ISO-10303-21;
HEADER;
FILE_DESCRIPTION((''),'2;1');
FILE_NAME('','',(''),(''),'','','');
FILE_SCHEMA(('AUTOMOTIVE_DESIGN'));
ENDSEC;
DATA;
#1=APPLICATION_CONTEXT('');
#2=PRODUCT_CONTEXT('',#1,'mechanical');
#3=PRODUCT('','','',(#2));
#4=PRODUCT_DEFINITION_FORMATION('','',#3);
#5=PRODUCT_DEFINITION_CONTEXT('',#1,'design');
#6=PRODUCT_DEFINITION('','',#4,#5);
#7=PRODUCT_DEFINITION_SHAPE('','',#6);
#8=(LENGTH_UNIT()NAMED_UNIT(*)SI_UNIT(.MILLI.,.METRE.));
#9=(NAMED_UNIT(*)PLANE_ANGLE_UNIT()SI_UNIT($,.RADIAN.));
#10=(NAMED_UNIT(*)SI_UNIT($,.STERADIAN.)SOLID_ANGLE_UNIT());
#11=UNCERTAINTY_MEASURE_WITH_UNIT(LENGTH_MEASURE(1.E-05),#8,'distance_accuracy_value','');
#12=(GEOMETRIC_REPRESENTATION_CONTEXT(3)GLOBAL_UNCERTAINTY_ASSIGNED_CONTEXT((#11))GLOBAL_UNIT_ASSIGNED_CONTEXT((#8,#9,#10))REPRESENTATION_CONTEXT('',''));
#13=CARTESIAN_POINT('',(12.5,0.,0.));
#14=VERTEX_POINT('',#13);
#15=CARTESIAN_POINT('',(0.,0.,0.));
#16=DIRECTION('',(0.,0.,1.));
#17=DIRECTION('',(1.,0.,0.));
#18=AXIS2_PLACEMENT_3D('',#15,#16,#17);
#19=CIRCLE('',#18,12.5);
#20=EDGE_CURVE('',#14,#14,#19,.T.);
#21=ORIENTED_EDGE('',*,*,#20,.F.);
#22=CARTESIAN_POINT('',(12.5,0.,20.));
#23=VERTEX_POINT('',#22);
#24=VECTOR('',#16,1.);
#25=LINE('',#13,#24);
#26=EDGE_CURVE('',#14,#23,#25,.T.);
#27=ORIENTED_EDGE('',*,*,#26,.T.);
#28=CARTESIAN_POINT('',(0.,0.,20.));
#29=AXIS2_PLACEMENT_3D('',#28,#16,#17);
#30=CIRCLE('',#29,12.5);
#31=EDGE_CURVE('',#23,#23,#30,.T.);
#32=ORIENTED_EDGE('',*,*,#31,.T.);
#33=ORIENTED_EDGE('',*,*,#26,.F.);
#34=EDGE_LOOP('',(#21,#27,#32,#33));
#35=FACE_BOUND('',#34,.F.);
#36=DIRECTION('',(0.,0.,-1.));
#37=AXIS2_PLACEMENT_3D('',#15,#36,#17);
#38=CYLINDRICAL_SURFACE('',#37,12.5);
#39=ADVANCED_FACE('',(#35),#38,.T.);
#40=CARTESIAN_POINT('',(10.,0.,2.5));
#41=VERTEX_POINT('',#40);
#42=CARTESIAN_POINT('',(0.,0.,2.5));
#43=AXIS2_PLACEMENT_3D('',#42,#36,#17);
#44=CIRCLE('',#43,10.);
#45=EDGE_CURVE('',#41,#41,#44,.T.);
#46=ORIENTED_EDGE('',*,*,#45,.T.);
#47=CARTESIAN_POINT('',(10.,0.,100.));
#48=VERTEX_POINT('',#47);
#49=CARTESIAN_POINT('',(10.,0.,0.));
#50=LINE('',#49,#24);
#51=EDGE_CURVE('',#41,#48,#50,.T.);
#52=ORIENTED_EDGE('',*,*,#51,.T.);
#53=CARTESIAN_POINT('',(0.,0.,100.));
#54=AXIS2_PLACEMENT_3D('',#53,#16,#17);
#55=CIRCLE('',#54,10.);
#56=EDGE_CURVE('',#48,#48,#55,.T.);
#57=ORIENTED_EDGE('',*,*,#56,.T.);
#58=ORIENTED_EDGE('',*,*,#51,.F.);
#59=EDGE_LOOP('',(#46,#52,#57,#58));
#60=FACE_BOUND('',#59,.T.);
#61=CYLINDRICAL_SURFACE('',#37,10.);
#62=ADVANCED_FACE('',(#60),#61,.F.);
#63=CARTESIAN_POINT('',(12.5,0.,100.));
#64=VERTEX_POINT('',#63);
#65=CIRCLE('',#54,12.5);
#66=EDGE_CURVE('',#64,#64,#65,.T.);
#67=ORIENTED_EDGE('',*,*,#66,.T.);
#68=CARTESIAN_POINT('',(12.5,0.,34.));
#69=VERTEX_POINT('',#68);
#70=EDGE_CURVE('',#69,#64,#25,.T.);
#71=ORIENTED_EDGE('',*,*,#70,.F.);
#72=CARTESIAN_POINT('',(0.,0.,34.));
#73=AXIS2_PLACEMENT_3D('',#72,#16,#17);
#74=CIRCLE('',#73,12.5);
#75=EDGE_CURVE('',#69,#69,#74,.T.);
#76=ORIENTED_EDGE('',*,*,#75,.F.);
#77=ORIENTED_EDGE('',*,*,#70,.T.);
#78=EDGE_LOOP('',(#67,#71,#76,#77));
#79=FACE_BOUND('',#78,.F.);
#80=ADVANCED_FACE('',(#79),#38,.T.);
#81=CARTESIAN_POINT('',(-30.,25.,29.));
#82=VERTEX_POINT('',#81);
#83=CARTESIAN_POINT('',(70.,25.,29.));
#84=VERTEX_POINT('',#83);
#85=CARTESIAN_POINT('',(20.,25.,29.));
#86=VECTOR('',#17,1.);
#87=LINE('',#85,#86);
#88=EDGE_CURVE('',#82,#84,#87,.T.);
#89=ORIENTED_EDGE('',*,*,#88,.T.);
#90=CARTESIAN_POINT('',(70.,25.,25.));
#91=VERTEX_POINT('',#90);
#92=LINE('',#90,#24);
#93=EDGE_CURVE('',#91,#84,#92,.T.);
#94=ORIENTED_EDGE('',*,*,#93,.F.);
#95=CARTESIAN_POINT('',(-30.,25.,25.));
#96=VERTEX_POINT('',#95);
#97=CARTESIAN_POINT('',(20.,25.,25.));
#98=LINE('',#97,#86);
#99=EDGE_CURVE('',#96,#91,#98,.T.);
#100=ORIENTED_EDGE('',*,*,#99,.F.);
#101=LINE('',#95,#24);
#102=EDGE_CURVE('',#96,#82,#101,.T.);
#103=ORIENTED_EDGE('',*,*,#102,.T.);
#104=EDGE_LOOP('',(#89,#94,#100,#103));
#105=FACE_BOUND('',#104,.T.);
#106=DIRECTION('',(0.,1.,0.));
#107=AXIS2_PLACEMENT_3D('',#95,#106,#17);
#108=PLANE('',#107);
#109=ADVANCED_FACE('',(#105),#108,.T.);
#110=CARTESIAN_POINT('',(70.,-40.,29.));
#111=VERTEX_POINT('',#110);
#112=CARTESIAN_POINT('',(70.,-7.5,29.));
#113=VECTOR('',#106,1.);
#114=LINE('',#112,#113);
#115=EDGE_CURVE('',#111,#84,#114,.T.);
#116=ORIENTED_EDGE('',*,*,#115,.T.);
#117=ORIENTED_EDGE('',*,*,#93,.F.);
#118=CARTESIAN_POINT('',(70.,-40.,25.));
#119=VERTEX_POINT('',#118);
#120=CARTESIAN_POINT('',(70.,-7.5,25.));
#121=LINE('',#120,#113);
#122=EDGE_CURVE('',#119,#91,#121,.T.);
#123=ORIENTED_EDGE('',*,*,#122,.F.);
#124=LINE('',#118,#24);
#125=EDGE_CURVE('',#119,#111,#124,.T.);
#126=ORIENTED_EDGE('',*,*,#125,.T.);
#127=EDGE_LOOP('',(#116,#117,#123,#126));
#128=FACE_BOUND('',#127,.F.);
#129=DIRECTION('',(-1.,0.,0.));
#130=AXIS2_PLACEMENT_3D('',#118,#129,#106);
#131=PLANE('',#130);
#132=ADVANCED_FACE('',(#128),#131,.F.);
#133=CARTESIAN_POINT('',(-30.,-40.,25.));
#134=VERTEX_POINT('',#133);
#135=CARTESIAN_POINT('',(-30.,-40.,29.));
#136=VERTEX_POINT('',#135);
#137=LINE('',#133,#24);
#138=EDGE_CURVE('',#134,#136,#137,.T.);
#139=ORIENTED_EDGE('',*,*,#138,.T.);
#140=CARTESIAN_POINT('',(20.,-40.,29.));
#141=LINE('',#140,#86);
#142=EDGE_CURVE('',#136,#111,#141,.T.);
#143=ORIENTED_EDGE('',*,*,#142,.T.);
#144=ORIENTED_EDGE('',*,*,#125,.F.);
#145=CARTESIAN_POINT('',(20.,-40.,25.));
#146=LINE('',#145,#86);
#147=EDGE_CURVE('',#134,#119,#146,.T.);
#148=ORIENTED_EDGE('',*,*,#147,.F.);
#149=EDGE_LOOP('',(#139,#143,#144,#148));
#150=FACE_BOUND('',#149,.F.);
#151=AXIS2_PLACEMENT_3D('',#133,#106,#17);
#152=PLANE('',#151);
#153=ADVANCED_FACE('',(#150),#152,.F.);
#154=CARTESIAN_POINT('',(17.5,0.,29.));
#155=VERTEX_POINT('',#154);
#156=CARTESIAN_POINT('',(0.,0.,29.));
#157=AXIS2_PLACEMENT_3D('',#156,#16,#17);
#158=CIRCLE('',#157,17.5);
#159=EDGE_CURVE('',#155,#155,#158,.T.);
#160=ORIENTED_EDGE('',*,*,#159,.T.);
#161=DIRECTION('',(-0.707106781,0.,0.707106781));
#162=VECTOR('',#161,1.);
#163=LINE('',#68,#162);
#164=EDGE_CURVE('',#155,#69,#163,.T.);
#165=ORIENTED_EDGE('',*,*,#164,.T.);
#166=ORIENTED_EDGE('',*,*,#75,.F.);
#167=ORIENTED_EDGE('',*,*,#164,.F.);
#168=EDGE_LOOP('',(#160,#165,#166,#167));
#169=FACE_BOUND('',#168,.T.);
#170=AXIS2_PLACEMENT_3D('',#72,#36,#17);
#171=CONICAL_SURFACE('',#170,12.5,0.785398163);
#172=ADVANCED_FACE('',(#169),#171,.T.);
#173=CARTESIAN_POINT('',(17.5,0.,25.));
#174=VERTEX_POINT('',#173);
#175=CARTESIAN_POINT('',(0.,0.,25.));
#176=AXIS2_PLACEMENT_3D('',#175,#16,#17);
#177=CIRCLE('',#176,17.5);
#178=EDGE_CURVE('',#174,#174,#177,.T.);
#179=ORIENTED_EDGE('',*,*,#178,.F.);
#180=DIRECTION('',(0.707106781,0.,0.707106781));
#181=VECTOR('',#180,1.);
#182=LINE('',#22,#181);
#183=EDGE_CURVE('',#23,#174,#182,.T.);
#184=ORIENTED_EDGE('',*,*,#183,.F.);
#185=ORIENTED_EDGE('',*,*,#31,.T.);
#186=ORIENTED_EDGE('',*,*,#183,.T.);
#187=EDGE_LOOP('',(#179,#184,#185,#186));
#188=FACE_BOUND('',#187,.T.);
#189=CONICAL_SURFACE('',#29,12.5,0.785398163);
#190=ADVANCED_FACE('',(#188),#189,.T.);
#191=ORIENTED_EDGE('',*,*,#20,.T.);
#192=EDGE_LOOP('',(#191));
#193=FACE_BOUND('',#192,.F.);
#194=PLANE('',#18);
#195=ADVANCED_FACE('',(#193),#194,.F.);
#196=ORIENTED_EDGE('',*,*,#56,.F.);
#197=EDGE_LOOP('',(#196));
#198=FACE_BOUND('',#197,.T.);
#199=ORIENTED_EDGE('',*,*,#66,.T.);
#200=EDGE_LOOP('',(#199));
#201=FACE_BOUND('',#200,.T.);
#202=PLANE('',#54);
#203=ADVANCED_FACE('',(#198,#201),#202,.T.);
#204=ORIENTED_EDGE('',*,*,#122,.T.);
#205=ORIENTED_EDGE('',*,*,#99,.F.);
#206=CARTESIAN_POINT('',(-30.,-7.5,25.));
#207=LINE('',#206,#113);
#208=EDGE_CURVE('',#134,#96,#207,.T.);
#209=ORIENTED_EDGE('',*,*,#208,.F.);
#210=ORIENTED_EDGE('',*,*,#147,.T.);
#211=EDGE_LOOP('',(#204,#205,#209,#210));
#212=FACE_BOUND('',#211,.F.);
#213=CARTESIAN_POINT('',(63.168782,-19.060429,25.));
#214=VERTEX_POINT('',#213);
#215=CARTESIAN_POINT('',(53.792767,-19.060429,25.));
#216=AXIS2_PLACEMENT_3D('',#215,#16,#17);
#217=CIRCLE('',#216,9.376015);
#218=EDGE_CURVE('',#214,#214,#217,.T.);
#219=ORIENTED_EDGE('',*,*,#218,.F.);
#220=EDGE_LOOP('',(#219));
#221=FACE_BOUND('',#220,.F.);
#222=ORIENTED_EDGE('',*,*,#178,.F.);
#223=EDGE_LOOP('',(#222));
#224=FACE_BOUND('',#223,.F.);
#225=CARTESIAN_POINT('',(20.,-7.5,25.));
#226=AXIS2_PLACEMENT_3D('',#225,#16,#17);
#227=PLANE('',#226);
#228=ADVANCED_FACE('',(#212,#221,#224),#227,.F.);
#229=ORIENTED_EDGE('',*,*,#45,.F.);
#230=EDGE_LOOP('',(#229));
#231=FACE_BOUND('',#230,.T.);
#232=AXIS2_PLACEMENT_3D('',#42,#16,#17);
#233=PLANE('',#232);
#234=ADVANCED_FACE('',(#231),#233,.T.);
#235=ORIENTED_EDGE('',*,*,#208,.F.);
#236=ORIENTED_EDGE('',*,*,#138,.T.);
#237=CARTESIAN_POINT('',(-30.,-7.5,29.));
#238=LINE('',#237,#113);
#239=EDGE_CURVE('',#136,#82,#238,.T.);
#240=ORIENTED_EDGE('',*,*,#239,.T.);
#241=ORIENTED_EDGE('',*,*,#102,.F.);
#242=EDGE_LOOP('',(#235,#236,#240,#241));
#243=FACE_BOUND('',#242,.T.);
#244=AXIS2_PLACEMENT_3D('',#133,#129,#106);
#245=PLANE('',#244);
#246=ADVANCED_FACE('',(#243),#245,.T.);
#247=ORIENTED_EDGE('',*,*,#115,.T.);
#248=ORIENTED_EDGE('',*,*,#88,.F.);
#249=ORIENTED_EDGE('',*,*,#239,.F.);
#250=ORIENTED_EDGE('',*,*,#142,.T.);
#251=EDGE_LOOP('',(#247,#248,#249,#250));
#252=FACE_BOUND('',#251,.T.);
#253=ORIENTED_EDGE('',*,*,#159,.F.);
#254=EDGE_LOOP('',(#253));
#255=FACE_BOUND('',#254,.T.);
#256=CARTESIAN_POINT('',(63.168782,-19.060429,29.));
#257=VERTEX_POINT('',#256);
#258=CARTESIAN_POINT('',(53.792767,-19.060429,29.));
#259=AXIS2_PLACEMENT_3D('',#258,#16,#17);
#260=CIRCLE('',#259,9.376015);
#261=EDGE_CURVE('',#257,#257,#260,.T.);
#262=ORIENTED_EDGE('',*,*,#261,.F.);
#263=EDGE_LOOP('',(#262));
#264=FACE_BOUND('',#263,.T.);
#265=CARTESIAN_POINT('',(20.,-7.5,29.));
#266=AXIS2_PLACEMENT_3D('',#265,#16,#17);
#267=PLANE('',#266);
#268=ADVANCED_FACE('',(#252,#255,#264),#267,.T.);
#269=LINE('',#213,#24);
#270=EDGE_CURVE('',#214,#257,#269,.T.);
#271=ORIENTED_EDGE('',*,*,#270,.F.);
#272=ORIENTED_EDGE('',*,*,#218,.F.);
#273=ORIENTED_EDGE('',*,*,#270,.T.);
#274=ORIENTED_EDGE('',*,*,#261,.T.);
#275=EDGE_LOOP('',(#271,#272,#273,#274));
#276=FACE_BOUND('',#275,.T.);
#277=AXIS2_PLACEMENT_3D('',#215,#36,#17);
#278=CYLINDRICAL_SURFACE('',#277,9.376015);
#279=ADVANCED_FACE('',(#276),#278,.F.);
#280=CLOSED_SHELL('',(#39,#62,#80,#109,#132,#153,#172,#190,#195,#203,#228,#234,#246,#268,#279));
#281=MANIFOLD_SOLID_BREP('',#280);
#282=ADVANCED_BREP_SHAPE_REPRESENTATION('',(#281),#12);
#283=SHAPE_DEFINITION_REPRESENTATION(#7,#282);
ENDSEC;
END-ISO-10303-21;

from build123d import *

# Parameters (mm, degrees)
F0_R     = 12.5
F1_DEPTH = 100
F2_T     = -2.5
F4_W     = 100
F4_H     = 65
F4_R     = 9.376015
F4_R_2   = 12.5
F5_DEPTH = 4
F6_SIZE  = 5


with BuildPart() as f1:
    # F0 (on Top) → F1 (new body)
    with BuildSketch(Plane.XY):
        Circle(F0_R)
    extrude(amount=F1_DEPTH)

    # F2
    f2_openings = [f1.faces().sort_by_distance(p)[0] for p in [
        (0, 0, 100),
    ]]
    offset(amount=F2_T, openings=f2_openings)

    # F4 (on offset) → F5 (join)
    with BuildSketch(Plane.XY.offset(25)):
        with Locations((20, -7.5)):
            Rectangle(F4_W, F4_H)
        with Locations((53.792767, -19.060429)):
            Circle(F4_R, mode=Mode.SUBTRACT)
        Circle(F4_R_2, mode=Mode.SUBTRACT)
    extrude(amount=F5_DEPTH)

    # F6
    f6_edges = [f1.edges().sort_by_distance(p)[0] for p in [
        (-12.5, 0, 29),
        (-12.5, 0, 25),
    ]]
    chamfer(f6_edges, length=F6_SIZE)


solid = f1.part
